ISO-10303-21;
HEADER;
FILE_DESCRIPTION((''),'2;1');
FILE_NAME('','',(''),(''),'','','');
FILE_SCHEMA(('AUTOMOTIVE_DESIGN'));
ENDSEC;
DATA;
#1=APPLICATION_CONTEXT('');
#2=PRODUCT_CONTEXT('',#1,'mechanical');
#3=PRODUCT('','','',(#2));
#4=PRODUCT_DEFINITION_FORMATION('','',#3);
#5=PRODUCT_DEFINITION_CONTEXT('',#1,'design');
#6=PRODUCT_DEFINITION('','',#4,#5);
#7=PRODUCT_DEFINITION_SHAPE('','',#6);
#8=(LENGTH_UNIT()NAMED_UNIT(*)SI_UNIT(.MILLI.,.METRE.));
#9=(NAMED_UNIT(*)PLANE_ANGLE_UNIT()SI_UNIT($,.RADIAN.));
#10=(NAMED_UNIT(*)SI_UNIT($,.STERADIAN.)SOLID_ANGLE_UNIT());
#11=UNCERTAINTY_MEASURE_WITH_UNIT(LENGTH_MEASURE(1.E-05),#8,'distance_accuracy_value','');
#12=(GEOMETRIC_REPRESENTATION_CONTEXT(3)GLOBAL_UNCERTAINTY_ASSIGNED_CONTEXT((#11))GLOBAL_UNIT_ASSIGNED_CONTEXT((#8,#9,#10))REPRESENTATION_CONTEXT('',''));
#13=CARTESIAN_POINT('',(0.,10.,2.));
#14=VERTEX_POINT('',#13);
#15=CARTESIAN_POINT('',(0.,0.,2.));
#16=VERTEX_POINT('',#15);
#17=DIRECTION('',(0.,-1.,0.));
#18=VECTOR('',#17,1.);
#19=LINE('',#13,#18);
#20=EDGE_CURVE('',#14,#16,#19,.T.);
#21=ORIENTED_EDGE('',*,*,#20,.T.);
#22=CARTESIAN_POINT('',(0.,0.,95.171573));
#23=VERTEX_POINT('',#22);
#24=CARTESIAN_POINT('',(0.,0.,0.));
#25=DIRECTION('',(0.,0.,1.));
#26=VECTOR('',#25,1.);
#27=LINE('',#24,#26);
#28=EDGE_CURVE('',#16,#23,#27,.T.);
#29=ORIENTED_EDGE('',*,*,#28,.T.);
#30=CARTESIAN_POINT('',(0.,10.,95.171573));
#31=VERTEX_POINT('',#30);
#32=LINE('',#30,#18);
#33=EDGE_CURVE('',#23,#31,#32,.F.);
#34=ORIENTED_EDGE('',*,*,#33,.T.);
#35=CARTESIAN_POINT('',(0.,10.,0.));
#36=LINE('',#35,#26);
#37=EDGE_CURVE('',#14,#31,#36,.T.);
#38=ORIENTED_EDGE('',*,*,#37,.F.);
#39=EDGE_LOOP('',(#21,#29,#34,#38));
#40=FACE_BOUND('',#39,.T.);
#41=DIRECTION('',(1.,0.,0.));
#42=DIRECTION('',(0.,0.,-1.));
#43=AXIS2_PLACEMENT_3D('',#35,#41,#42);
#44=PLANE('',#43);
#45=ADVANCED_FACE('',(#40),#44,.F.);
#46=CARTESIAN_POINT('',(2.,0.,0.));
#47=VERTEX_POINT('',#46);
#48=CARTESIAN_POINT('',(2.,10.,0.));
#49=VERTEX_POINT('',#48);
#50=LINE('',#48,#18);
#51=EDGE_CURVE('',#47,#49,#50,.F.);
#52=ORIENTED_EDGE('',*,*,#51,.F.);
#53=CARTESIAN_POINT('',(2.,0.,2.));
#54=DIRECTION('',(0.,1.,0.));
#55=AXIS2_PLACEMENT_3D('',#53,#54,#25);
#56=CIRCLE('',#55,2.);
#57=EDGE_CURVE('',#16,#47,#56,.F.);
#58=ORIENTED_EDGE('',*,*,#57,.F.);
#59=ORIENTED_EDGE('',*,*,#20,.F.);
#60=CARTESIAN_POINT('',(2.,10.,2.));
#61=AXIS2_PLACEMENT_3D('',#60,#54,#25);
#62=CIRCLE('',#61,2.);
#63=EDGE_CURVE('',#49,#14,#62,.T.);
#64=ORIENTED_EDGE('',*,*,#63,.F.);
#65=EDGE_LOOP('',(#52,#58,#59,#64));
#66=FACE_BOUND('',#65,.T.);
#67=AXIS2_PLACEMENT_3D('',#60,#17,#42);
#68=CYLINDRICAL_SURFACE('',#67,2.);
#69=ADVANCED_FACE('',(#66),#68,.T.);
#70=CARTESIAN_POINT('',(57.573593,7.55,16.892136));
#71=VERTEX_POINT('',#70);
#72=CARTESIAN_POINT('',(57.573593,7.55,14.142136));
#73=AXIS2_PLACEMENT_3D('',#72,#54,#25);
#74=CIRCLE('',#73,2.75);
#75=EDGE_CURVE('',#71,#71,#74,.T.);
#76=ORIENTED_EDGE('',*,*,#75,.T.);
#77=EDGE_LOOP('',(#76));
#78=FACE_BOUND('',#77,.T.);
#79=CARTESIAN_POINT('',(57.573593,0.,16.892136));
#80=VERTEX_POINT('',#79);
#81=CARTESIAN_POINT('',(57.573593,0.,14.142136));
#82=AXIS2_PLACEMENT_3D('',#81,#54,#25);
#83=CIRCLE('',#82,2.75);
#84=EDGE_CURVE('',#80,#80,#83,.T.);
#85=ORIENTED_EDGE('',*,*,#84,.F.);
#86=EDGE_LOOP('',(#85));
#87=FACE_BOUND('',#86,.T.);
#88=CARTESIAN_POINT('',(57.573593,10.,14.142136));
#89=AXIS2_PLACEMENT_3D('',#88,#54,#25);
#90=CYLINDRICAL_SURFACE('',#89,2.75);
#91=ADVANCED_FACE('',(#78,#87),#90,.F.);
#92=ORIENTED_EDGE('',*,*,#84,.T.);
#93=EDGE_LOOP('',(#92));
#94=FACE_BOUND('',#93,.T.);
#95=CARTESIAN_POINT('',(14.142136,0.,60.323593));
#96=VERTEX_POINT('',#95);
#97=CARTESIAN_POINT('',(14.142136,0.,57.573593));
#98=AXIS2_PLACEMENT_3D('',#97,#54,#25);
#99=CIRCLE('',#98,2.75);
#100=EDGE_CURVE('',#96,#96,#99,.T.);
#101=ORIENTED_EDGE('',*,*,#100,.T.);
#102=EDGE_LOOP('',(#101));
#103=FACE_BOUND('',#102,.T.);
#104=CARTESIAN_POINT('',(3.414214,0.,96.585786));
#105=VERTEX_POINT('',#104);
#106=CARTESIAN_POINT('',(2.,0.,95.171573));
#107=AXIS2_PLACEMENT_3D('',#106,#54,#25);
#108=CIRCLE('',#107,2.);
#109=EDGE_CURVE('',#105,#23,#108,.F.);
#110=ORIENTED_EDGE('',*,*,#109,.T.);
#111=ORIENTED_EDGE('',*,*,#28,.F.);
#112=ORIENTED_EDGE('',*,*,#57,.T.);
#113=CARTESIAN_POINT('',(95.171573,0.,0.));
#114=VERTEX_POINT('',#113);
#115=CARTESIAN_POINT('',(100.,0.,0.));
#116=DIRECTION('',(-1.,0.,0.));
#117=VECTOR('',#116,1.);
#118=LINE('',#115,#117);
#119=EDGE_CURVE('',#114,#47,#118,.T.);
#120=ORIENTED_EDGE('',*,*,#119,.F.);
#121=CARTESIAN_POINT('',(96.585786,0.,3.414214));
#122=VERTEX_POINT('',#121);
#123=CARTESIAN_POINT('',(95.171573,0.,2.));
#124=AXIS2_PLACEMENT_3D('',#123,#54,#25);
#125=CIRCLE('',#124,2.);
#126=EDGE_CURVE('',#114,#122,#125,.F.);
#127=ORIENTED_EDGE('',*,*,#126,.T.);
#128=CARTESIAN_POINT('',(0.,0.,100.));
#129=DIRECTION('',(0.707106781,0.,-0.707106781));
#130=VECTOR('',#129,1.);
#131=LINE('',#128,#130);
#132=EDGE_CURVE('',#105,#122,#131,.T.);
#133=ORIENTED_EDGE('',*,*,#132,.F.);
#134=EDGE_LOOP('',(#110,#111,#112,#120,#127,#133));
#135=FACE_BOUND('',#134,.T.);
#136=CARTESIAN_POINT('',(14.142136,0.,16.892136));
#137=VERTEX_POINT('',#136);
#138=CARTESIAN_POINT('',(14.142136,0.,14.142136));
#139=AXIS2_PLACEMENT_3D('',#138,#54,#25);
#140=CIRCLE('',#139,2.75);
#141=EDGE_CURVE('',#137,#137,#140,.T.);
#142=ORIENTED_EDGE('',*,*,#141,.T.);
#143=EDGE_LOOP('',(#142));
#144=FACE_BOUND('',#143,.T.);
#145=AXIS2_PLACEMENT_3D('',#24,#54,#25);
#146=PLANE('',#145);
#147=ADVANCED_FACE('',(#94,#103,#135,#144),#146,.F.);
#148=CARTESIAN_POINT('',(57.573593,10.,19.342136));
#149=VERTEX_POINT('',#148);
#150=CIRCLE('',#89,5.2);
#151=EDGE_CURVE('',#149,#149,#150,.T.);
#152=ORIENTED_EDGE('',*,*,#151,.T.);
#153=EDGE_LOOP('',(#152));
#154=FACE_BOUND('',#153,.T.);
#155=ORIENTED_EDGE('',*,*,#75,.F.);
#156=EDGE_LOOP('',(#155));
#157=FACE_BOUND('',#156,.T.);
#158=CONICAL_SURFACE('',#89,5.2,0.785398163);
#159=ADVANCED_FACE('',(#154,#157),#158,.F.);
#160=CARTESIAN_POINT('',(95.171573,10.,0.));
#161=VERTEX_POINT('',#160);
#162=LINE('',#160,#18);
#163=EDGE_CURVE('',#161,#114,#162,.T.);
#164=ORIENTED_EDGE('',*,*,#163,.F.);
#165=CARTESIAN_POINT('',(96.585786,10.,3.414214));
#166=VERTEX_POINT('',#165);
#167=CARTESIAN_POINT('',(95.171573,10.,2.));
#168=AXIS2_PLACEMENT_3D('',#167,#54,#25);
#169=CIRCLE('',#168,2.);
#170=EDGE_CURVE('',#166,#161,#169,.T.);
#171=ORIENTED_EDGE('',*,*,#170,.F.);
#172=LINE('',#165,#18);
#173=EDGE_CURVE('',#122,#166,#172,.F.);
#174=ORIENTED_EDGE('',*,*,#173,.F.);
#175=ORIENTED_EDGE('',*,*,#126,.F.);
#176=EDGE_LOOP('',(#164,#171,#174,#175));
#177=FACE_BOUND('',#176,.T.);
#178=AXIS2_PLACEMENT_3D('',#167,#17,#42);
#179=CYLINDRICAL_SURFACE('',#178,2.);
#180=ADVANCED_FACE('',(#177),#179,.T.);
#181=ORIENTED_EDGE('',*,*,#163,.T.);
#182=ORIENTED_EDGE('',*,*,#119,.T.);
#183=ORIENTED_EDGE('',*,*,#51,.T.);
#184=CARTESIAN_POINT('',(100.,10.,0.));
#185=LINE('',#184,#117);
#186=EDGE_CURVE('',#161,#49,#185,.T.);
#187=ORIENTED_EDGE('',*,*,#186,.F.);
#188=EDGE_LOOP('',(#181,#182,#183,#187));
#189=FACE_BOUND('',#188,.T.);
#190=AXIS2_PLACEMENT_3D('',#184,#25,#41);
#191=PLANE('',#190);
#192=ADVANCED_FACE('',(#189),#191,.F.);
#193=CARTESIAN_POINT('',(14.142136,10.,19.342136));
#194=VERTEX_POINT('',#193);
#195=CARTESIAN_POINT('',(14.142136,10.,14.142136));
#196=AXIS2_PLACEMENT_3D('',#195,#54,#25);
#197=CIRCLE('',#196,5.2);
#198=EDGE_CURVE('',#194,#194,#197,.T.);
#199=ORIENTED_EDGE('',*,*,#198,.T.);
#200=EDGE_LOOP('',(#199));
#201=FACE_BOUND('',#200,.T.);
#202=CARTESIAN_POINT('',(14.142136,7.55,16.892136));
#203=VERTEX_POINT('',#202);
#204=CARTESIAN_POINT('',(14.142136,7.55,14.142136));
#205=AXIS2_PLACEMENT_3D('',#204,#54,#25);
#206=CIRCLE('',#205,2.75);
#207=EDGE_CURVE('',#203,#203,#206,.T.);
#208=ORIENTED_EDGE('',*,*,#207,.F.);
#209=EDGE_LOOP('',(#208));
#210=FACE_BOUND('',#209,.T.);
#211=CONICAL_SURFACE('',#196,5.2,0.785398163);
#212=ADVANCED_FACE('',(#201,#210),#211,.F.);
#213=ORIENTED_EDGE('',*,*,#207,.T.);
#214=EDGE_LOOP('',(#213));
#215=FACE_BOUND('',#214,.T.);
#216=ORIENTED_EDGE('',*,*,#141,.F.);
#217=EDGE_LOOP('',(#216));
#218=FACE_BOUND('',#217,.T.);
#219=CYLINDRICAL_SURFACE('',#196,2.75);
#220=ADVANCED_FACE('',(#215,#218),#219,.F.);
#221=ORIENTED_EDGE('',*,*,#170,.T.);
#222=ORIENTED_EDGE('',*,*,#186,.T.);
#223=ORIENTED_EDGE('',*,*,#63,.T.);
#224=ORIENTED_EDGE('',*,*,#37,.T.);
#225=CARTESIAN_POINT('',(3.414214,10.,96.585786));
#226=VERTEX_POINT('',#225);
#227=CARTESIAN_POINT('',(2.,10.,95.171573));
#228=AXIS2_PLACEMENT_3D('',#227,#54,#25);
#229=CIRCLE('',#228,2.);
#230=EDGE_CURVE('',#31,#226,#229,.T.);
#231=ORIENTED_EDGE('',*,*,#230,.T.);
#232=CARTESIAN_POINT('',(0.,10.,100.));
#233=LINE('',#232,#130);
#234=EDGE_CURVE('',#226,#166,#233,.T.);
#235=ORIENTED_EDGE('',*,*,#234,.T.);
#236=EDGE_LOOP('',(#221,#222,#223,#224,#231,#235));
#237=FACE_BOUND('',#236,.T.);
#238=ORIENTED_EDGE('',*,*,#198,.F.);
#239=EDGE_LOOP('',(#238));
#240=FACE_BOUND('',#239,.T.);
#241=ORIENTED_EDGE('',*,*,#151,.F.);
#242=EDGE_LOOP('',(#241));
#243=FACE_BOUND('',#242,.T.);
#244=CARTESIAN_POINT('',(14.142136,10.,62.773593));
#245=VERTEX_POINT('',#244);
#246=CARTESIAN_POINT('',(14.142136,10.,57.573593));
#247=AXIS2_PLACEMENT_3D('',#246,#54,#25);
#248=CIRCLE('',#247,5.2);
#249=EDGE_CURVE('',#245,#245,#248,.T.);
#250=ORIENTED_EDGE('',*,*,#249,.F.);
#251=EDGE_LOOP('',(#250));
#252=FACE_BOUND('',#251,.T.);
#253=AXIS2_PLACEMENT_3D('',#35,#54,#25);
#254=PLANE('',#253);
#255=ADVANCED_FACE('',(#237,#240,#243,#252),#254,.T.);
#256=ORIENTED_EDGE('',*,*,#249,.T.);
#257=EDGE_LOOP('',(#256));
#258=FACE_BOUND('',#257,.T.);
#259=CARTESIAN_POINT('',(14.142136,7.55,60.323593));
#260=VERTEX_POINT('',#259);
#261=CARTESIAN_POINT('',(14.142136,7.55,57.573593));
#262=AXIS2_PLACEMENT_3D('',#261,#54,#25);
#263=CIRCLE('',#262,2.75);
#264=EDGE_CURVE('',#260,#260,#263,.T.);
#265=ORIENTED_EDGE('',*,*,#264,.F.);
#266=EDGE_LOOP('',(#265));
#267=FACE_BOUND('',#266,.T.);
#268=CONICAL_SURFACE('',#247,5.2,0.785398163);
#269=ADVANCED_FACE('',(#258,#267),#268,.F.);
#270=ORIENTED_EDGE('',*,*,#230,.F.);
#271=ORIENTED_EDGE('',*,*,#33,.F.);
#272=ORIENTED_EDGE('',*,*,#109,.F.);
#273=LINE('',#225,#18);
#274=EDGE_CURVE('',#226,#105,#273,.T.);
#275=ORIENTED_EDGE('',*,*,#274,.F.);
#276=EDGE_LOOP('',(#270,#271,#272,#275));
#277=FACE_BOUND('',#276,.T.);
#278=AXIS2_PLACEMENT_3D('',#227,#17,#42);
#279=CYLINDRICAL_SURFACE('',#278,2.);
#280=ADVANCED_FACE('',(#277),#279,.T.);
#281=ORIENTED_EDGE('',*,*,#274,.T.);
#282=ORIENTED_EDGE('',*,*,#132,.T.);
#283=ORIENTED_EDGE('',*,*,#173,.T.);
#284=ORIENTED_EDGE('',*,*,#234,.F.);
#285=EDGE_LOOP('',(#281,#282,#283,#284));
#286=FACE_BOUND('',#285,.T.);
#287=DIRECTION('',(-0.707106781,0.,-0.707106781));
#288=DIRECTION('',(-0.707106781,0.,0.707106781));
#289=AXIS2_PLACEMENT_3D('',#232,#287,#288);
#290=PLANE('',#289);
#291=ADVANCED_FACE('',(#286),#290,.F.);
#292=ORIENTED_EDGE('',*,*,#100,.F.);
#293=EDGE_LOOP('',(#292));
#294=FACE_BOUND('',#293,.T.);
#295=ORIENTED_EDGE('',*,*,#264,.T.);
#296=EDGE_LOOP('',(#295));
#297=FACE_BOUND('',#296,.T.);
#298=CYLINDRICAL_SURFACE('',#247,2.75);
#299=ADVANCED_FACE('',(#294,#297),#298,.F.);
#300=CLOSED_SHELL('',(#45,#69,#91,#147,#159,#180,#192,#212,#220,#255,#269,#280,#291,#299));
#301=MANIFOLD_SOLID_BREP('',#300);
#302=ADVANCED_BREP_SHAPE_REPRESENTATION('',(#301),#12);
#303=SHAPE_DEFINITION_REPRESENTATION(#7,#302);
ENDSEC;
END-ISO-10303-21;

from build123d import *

# Parameters (mm, degrees)
BOSS_EXTRUDE1_DEPTH                             = 10
CSK_FOR_M5_FLAT_HEAD_MACHINE_SCREW1_D           = 5.5
CSK_FOR_M5_FLAT_HEAD_MACHINE_SCREW1_CSINK_D     = 10.4
CSK_FOR_M5_FLAT_HEAD_MACHINE_SCREW1_CSINK_ANGLE = 90
FILLET2_R                                       = 2


with BuildPart() as part:
    # Sketch1 → Boss-Extrude1 (new body)
    with BuildSketch(Plane(origin=(0, 0, 0), x_dir=(1, 0, 0), z_dir=(0, 1, 0))):
        Polygon((0, 0), (0, -100), (100, 0), align=None)
    extrude(amount=BOSS_EXTRUDE1_DEPTH)

    # CSK for M5 Flat Head Machine Screw1 (through all)
    with Locations(Plane(origin=(14.142135624, 10, 14.142135624), x_dir=(0, 0, 1), z_dir=(0, 1, 0))):
        with Locations((0, 0), (43.431457505, 0), (0, 43.431457505)):
            CounterSinkHole(CSK_FOR_M5_FLAT_HEAD_MACHINE_SCREW1_D / 2, CSK_FOR_M5_FLAT_HEAD_MACHINE_SCREW1_CSINK_D / 2, counter_sink_angle=CSK_FOR_M5_FLAT_HEAD_MACHINE_SCREW1_CSINK_ANGLE)

    # Fillet2
    fillet2_edges = [part.edges().sort_by_distance(p)[0] for p in [
        (100, 5, 0),
        (0, 5, 100),
        (0, 5, 0),
    ]]
    fillet(fillet2_edges, radius=FILLET2_R)


solid = part.part
